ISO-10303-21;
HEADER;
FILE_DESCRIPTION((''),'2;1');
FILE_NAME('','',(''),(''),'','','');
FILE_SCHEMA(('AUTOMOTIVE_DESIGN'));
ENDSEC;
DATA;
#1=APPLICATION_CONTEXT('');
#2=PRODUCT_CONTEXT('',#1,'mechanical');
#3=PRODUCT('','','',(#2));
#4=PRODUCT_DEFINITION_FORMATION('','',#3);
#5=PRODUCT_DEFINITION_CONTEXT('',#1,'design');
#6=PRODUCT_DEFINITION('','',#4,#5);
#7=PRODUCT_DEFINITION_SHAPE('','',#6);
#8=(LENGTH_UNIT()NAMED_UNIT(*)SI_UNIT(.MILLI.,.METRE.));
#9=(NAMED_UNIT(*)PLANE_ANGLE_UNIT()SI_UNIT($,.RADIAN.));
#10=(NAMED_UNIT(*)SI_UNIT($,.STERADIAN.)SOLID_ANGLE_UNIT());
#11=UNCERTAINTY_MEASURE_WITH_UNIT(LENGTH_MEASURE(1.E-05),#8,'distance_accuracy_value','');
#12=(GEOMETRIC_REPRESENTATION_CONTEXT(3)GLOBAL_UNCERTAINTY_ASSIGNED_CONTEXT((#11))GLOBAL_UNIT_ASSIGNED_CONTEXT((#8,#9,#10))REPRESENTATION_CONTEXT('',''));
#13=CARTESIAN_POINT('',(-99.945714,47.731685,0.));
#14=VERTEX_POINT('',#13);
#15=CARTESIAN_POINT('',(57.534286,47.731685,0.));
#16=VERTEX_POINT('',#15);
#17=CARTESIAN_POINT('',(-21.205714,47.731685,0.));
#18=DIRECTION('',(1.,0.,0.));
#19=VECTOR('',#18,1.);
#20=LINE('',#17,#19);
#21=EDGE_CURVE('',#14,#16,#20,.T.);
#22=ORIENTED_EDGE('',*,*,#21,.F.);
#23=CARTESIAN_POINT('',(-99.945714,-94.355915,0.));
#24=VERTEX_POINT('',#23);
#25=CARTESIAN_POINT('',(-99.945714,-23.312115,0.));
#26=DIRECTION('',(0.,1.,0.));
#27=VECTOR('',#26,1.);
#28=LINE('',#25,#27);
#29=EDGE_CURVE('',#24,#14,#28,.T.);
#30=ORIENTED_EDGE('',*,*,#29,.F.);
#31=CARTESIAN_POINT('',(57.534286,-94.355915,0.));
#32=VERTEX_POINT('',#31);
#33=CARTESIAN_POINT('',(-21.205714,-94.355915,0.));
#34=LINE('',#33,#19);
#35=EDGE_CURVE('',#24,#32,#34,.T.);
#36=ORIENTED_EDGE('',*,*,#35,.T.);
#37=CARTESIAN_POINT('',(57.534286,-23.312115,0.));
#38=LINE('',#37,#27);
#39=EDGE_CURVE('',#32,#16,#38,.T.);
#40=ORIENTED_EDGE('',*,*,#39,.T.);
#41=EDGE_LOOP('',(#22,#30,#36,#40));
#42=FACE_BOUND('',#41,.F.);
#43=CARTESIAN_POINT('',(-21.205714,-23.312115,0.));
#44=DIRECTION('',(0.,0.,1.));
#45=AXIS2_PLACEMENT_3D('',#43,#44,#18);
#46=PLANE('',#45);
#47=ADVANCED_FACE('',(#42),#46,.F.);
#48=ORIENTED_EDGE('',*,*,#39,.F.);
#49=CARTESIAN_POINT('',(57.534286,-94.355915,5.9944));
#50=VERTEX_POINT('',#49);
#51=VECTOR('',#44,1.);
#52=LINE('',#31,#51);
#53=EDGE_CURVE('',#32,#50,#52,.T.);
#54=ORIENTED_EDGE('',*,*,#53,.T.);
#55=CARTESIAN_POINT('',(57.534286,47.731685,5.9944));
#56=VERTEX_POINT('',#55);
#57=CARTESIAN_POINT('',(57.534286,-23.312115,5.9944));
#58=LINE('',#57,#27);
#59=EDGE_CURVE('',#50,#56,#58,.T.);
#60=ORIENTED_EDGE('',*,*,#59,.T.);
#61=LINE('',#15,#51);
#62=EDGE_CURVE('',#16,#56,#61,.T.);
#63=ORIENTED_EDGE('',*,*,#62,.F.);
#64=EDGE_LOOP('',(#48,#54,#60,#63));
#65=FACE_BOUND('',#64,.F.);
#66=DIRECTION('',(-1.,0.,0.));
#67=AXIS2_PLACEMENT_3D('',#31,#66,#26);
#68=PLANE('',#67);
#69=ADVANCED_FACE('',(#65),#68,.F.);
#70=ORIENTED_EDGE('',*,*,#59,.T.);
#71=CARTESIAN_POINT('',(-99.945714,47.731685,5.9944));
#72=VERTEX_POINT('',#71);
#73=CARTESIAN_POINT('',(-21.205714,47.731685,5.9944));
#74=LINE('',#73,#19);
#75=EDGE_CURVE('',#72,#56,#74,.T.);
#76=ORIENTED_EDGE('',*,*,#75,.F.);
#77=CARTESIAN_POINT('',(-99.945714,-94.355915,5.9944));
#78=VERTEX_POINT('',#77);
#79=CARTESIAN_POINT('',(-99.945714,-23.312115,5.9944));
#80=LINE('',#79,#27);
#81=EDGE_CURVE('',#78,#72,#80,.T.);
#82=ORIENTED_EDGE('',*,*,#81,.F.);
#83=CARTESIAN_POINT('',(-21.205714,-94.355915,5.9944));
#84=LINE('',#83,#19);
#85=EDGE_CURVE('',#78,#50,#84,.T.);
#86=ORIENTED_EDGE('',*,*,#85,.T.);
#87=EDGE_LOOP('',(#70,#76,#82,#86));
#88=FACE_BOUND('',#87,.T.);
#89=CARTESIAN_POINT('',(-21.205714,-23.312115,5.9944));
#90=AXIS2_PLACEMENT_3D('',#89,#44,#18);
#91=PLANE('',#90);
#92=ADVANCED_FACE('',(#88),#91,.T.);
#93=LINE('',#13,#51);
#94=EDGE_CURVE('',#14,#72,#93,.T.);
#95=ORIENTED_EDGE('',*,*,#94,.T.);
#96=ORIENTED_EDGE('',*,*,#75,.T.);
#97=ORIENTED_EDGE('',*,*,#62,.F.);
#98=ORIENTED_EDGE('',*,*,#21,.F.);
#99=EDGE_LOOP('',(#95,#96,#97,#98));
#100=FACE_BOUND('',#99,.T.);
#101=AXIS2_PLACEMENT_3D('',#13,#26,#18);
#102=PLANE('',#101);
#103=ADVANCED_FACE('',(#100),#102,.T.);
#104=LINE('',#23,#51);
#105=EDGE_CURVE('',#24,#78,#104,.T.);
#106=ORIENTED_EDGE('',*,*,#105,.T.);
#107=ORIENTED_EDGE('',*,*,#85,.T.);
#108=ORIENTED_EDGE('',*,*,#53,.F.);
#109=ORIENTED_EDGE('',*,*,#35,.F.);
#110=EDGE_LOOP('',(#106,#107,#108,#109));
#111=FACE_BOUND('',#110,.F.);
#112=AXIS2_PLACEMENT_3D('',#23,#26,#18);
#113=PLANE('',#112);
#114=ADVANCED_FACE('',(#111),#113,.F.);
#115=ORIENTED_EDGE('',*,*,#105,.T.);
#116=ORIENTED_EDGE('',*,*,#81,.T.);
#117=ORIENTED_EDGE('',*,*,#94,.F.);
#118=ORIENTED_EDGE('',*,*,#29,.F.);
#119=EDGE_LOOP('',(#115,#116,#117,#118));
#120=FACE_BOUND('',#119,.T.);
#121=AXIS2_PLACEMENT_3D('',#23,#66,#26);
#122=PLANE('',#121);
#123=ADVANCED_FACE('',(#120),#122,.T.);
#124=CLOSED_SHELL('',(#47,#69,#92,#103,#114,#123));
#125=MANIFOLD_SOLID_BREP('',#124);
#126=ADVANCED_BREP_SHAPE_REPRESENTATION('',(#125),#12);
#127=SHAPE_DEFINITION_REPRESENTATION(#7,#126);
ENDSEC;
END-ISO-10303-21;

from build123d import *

# Parameters (mm, degrees)
SKETCH_W      = 157.48
SKETCH_H      = 142.0876
EXTRUDE_DEPTH = 5.9944


with BuildPart() as part:
    # Sketch → Extrude (new body)
    with BuildSketch(Plane.XY):
        with Locations((-21.205714, -23.312115)):
            Rectangle(SKETCH_W, SKETCH_H)
    extrude(amount=EXTRUDE_DEPTH)


solid = part.part
